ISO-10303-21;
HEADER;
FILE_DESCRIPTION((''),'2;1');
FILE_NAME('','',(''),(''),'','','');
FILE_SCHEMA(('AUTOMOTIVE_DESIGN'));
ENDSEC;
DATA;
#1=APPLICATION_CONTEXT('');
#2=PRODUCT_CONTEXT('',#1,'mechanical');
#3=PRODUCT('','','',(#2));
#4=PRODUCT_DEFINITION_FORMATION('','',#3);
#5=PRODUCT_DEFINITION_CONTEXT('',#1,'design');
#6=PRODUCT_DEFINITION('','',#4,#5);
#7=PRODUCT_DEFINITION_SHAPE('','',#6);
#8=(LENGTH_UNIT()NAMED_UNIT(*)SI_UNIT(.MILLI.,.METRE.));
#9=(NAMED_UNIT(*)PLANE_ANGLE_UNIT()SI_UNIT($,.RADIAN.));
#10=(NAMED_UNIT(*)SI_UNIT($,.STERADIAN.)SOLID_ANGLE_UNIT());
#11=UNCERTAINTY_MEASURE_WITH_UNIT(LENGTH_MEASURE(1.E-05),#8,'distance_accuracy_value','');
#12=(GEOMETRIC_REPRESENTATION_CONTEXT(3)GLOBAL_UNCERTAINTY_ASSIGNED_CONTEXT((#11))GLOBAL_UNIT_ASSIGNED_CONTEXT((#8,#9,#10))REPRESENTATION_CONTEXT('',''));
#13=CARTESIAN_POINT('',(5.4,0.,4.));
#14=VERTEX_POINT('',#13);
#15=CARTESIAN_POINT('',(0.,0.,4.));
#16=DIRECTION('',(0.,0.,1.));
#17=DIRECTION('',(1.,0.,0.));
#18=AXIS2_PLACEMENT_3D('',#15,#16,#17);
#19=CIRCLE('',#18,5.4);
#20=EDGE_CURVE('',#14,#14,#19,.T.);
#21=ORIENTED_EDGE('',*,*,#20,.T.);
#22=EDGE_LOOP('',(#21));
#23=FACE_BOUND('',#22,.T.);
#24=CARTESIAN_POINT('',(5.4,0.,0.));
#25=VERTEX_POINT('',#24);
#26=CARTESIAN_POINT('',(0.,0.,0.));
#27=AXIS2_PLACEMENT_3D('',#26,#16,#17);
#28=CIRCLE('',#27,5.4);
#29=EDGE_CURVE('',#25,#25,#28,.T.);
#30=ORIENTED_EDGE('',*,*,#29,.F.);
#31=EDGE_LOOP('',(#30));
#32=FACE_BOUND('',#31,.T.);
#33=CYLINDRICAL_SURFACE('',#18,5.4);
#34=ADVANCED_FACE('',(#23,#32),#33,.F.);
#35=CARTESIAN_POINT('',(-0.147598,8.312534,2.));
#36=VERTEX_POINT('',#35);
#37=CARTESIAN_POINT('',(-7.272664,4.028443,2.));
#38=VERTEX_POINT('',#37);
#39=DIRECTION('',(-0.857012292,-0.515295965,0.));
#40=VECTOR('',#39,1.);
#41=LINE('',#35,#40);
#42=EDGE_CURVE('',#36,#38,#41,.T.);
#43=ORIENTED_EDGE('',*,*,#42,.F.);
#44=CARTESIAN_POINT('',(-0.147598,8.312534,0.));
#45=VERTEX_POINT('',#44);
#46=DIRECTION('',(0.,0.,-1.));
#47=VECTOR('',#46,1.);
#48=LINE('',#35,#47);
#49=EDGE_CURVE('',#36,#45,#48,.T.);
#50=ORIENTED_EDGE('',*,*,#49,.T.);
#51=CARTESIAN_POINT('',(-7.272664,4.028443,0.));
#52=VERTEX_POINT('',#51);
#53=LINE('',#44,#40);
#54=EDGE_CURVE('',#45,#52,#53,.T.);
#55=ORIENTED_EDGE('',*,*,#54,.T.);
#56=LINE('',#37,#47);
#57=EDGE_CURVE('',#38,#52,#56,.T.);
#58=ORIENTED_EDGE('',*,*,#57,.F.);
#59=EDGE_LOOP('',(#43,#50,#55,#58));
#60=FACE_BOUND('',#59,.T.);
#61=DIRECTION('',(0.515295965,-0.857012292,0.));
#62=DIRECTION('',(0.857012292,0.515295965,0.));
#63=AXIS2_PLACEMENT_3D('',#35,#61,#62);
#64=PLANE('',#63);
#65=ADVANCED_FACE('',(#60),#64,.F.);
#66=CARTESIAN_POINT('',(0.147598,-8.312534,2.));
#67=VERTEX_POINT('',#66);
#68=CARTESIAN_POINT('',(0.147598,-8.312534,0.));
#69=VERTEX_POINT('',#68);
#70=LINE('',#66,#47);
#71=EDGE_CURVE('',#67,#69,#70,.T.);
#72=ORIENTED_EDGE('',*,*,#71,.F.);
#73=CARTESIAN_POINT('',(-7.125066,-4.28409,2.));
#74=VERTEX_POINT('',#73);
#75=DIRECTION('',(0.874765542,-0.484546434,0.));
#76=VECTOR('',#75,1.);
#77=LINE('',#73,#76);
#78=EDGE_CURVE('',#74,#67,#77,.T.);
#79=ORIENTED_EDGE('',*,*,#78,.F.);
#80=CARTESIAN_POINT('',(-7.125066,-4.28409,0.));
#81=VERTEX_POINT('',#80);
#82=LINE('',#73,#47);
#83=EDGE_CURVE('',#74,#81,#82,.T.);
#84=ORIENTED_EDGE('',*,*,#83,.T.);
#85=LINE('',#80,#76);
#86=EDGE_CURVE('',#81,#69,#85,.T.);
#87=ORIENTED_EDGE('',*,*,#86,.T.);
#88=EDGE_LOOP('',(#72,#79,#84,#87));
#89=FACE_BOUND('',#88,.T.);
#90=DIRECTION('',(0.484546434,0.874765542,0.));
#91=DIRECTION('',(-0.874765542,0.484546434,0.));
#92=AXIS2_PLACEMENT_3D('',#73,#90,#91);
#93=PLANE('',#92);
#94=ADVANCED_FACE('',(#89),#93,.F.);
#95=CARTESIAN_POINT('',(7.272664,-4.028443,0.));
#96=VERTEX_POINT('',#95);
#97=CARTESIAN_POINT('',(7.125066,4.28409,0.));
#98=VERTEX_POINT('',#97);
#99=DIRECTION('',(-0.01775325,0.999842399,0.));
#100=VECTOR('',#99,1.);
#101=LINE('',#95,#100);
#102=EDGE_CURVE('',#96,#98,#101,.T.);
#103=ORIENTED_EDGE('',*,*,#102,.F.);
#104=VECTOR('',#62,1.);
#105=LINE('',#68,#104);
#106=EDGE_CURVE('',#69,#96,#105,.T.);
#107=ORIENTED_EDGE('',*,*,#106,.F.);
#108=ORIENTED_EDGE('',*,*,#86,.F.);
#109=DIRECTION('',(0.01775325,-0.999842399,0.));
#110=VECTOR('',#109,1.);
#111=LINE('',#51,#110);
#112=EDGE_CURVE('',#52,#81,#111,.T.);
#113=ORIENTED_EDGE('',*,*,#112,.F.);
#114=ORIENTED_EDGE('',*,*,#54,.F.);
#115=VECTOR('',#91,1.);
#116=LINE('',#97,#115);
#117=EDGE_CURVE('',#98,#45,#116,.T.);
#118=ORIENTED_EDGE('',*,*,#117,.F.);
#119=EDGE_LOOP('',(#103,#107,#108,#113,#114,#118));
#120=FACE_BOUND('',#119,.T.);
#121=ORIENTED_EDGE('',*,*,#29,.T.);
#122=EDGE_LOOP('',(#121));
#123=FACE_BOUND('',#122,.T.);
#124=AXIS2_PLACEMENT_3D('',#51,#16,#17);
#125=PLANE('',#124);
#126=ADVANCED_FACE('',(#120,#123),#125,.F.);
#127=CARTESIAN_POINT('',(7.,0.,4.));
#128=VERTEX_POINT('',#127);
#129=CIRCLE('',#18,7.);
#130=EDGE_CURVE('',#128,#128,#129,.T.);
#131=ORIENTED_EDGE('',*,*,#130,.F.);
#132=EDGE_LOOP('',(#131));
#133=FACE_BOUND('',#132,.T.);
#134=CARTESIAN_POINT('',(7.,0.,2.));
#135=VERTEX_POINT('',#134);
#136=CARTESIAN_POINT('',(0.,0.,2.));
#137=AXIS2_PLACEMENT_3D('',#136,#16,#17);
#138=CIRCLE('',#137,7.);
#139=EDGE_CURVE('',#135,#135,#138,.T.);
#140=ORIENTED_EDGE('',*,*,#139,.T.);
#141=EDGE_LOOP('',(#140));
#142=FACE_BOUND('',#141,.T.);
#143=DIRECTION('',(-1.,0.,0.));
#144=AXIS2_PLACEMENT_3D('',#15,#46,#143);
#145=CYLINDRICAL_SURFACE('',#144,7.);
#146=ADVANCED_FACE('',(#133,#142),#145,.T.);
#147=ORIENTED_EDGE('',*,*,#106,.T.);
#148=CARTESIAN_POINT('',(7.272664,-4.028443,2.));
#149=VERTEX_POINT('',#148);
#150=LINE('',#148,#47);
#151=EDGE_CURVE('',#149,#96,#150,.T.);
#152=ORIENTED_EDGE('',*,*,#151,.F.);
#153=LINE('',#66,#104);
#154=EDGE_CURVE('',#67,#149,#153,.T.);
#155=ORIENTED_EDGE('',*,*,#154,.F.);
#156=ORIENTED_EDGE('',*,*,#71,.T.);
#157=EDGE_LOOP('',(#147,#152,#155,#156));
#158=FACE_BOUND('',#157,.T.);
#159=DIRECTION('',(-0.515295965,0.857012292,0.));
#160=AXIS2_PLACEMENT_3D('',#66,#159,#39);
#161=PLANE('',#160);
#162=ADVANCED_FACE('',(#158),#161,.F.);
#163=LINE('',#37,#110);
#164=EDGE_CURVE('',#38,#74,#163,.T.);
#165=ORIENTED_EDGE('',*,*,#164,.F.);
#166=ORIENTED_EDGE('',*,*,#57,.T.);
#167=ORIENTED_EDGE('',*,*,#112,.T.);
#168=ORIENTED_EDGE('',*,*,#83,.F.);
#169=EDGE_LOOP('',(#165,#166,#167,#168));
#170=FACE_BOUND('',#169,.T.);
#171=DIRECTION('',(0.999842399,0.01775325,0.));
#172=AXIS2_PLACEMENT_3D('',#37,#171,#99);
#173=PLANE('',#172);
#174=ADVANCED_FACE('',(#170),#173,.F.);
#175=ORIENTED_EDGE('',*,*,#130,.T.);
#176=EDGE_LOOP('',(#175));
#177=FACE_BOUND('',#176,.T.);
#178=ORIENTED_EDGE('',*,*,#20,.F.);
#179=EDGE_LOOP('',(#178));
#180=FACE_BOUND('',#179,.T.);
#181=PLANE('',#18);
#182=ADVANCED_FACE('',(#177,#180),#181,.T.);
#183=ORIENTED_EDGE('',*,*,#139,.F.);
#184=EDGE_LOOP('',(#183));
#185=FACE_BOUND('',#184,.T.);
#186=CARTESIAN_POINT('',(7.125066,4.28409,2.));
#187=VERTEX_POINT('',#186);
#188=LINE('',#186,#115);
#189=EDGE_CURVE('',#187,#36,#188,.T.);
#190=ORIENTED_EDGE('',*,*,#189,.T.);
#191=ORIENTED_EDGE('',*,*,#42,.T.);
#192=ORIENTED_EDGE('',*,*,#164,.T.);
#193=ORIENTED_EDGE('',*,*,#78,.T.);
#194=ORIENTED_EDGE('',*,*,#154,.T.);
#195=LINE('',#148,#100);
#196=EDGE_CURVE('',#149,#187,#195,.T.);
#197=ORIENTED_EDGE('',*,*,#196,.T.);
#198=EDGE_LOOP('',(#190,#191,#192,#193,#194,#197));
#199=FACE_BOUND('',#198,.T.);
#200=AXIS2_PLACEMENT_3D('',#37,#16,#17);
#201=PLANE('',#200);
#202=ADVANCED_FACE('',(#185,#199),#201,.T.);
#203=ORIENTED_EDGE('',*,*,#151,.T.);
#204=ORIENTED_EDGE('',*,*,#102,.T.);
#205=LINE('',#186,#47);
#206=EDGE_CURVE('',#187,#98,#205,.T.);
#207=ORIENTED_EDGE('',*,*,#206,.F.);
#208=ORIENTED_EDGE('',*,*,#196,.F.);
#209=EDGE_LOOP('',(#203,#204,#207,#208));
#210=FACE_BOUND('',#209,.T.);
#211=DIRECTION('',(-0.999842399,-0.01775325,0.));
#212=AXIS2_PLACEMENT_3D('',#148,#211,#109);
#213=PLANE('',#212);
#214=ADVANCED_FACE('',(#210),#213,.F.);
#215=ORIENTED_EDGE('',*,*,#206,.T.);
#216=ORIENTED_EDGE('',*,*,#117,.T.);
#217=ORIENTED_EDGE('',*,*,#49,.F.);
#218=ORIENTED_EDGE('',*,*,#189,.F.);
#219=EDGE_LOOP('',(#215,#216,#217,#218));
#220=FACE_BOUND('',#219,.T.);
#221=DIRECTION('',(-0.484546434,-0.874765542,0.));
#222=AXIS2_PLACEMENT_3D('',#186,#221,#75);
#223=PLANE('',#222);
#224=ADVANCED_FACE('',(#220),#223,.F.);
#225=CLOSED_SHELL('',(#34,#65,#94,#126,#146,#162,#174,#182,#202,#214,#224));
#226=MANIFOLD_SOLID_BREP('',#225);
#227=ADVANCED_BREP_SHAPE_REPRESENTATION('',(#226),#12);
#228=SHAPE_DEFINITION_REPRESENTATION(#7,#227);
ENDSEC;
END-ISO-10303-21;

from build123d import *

# Parameters (mm, degrees)
BOSS_EXTRUDE1_DEPTH         = 2
SKETCH4_R                   = 7
BOSS_EXTRUDE2_DEPTH         = 2
M12X1_25_TAPPED_HOLE2_D     = 10.8
M12X1_25_TAPPED_HOLE2_DEPTH = 8.75
M12X1_25_TAPPED_HOLE2_TIP   = 3.244647343


with BuildPart() as part:
    # Sketch1 → Boss-Extrude1 (new body)
    with BuildSketch(Plane.XY):
        Polygon((-7.272664144, 4.028443403), (-7.125066396, -4.284090201), (0.147597748, -8.312533603), (7.272664144, -4.028443403), (7.125066396, 4.284090201), (-0.147597748, 8.312533603), align=None)
    extrude(amount=BOSS_EXTRUDE1_DEPTH)

    # Sketch4 → Boss-Extrude2 (add)
    with BuildSketch(Plane.XY.offset(2)):
        Circle(SKETCH4_R)
    extrude(amount=BOSS_EXTRUDE2_DEPTH)

    # M12x1.25 Tapped Hole2
    with Locations(Plane.XY.offset(4)):
        with Locations((0, 0)):
            Hole(M12X1_25_TAPPED_HOLE2_D / 2, depth=M12X1_25_TAPPED_HOLE2_DEPTH)
            with Locations((0, 0, -(M12X1_25_TAPPED_HOLE2_DEPTH + M12X1_25_TAPPED_HOLE2_TIP / 2))):  # 118° drill point
                Cone(0, M12X1_25_TAPPED_HOLE2_D / 2, M12X1_25_TAPPED_HOLE2_TIP, mode=Mode.SUBTRACT)


solid = part.part
